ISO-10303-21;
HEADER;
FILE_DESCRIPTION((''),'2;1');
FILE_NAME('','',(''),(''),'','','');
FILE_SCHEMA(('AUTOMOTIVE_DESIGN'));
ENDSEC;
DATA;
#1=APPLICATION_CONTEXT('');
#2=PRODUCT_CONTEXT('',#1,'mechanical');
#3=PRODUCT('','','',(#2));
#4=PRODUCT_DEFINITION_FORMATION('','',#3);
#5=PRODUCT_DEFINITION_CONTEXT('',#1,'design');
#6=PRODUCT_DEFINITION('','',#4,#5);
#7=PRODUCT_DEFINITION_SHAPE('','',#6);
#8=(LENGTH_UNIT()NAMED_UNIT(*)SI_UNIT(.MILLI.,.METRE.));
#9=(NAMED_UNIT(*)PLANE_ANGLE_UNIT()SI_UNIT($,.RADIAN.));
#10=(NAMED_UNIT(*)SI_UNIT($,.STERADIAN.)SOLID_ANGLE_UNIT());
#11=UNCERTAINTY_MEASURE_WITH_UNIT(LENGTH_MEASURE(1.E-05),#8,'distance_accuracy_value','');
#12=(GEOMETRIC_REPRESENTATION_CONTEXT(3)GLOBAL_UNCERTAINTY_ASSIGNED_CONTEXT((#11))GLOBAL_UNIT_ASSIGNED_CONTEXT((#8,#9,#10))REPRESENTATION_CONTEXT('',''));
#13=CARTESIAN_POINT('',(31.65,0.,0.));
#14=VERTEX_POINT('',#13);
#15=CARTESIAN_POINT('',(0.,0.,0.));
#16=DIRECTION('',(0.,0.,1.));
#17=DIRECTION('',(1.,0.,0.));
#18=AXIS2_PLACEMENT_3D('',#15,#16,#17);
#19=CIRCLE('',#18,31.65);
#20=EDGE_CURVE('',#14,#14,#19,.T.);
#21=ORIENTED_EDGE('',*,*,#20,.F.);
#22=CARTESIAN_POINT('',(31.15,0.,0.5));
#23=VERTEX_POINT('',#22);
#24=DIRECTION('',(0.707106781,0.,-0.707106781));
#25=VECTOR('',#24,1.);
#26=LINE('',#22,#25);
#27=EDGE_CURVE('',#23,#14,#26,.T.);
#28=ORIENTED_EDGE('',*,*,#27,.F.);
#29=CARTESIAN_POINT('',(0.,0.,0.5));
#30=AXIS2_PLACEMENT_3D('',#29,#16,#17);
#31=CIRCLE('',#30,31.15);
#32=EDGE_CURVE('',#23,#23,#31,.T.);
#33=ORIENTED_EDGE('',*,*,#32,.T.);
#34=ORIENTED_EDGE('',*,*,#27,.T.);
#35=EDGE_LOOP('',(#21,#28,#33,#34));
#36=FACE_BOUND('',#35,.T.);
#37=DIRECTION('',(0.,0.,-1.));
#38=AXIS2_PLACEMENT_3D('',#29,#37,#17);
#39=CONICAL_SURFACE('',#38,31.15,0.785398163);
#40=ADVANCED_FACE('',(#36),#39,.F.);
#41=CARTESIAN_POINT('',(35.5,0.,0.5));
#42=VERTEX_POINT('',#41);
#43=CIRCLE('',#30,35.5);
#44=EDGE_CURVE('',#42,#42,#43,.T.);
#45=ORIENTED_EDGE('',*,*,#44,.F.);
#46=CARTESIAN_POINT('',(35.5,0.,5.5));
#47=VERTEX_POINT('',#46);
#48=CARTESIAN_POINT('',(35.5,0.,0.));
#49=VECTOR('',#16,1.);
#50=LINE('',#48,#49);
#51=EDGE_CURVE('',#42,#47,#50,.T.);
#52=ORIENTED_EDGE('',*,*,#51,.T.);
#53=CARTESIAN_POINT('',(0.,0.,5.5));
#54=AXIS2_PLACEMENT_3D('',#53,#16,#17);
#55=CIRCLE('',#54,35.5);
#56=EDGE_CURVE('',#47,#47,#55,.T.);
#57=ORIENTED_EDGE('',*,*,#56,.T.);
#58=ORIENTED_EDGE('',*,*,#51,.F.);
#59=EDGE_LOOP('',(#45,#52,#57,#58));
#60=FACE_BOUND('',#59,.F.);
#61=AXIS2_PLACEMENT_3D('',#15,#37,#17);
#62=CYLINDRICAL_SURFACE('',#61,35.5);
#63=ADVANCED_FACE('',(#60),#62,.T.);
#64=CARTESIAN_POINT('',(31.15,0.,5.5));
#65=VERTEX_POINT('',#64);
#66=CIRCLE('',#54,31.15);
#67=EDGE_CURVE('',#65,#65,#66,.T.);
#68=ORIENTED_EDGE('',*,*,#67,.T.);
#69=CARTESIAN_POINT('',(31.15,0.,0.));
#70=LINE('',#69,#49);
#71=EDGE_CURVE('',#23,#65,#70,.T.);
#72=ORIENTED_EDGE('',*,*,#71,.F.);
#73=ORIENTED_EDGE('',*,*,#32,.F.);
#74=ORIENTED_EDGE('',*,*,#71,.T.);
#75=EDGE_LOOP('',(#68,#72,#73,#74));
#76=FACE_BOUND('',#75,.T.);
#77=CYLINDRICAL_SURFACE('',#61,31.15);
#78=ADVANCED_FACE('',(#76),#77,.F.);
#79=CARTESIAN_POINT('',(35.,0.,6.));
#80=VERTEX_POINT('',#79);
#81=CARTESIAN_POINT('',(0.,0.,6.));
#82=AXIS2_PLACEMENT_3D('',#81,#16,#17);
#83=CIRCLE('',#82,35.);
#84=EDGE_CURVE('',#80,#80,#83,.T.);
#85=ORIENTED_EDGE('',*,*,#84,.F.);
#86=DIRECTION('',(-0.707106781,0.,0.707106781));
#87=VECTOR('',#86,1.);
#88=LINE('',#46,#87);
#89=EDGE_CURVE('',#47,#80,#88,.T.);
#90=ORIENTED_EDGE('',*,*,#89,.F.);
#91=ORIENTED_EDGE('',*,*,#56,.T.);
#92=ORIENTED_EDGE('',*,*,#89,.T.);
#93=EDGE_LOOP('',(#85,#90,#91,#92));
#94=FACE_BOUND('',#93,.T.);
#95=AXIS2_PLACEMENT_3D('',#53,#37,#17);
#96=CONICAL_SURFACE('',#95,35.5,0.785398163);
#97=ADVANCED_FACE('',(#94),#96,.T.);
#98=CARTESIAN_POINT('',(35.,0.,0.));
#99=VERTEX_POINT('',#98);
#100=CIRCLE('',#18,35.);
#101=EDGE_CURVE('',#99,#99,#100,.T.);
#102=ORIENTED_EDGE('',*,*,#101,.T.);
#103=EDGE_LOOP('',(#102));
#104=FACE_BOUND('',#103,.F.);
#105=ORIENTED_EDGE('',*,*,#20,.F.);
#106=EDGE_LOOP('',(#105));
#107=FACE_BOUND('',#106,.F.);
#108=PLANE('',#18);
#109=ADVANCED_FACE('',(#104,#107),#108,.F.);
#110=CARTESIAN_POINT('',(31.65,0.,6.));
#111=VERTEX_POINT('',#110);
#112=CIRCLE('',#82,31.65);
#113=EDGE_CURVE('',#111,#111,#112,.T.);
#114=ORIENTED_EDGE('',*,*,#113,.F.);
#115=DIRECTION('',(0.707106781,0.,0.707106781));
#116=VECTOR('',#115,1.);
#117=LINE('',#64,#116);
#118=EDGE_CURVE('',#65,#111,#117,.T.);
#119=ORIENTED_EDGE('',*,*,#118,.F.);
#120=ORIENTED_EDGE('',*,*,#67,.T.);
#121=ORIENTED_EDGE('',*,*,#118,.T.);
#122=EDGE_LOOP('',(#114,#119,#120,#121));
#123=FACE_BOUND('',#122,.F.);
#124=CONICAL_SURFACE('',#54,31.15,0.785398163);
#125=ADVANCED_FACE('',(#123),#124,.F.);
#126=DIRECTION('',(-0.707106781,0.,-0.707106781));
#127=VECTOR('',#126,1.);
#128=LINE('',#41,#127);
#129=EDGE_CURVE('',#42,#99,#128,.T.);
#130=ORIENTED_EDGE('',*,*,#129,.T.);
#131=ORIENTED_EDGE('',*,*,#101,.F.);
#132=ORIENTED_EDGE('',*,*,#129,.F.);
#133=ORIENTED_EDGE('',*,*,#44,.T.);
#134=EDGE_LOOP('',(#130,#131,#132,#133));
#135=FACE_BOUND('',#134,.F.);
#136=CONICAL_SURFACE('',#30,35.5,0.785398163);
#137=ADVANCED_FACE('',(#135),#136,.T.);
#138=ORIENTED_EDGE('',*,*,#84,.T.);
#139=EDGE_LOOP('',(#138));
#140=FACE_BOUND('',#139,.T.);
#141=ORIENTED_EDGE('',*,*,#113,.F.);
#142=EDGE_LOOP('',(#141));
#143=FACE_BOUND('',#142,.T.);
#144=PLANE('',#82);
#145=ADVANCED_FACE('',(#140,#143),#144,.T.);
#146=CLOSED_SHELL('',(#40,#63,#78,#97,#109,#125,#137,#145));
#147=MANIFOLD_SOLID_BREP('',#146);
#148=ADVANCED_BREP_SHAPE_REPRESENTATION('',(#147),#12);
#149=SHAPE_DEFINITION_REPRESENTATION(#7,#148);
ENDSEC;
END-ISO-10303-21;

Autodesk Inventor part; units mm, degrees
ref_plane "YZ Plane" through (0, 0, 0) normal (1, 0, 0) x (0, 1, 0)
ref_plane "XZ Plane" through (0, 0, 0) normal (0, 1, 0) x (-1, 0, 0)
ref_plane "XY Plane" through (0, 0, 0) normal (0, 0, 1) x (1, 0, 0)
sketch "草图1" plane through (0, 0, 0) normal (0, 0, 1) x (1, 0, 0)
  circle A0 centre (0, 0) radius 35.5
  circle A1 centre (0, 0) radius 31.15
extrude "拉伸1" add sketch "草图1" along normal blind 6
chamfer "倒角1" distance 0.5 angle 45 4 edges at (-31.15, 0, 6) (-31.15, 0, 0) (-35.5, 0, 6) (-35.5, 0, 0)
properties part number "my_attempt_v2"
